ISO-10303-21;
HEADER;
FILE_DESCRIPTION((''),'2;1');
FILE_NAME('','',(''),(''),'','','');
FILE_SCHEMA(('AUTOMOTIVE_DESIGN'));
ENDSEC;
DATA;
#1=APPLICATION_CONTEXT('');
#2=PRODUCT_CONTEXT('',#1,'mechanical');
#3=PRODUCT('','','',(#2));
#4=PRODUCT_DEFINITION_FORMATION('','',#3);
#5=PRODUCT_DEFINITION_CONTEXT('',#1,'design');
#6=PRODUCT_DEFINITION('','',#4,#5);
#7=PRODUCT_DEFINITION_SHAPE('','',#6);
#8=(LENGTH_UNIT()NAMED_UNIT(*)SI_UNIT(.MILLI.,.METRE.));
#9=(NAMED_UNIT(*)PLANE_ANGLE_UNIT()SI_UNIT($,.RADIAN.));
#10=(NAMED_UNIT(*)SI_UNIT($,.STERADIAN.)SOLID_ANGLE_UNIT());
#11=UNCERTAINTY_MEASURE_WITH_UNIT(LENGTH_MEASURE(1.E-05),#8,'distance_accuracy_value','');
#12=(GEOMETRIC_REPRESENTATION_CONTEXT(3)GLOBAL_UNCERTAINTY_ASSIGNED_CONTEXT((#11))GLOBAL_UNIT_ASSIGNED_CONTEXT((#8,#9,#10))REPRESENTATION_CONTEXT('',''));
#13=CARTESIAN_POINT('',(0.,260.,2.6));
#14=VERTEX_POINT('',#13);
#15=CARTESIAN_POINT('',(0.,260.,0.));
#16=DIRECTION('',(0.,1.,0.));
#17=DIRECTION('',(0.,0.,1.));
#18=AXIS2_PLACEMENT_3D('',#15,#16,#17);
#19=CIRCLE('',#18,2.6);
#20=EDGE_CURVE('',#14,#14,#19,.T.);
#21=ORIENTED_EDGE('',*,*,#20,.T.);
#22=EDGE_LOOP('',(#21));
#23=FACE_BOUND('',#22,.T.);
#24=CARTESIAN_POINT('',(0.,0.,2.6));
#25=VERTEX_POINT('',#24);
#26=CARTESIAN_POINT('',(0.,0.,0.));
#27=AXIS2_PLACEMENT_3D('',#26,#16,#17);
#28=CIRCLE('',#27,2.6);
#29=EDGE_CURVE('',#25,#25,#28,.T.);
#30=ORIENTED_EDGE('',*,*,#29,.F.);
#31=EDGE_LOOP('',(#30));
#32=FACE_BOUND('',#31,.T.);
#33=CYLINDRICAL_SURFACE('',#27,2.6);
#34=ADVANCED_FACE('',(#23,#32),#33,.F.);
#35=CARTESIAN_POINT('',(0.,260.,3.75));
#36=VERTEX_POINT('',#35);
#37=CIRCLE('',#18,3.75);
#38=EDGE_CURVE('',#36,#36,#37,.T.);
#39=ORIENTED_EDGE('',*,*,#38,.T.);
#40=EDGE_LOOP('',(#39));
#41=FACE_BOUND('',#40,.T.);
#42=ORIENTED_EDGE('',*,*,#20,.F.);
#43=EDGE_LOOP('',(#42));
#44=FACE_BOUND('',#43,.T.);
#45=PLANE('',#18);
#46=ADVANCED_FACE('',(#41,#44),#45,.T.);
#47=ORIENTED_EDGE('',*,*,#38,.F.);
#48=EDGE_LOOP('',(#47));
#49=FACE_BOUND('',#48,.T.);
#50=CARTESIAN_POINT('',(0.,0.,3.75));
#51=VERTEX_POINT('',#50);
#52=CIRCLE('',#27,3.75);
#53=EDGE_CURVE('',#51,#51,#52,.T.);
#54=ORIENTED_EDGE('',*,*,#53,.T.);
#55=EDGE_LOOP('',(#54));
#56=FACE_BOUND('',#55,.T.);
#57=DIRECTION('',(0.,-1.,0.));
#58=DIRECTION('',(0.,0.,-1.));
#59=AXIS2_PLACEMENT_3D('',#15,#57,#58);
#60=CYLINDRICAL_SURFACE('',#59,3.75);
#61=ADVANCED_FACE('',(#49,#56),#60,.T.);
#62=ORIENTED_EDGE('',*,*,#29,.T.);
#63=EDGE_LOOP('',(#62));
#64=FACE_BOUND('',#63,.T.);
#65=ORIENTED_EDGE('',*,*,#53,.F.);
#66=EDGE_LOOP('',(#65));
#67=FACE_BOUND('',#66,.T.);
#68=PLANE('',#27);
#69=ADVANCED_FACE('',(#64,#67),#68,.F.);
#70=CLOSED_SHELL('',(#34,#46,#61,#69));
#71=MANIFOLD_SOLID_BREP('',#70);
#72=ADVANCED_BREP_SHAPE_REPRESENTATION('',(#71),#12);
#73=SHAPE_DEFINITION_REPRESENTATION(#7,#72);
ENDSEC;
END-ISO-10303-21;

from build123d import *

# Parameters (mm, degrees)
SKETCH1_R           = 3.75
BOSS_EXTRUDE1_DEPTH = 260
SKETCH2_R           = 2.6
CUT_EXTRUDE2_DEPTH  = 261


with BuildPart() as part:
    # Sketch1 → Boss-Extrude1 (new body)
    with BuildSketch(Plane(origin=(0, 0, 0), x_dir=(1, 0, 0), z_dir=(0, 1, 0))):
        Circle(SKETCH1_R)
    extrude(amount=BOSS_EXTRUDE1_DEPTH)

    # Sketch2 → Cut-Extrude2 (cut, through all)
    with BuildSketch(Plane(origin=(0, 260, 0), x_dir=(1, 0, 0), z_dir=(0, 1, 0))):
        Circle(SKETCH2_R)
    extrude(amount=-CUT_EXTRUDE2_DEPTH, mode=Mode.SUBTRACT)


solid = part.part
